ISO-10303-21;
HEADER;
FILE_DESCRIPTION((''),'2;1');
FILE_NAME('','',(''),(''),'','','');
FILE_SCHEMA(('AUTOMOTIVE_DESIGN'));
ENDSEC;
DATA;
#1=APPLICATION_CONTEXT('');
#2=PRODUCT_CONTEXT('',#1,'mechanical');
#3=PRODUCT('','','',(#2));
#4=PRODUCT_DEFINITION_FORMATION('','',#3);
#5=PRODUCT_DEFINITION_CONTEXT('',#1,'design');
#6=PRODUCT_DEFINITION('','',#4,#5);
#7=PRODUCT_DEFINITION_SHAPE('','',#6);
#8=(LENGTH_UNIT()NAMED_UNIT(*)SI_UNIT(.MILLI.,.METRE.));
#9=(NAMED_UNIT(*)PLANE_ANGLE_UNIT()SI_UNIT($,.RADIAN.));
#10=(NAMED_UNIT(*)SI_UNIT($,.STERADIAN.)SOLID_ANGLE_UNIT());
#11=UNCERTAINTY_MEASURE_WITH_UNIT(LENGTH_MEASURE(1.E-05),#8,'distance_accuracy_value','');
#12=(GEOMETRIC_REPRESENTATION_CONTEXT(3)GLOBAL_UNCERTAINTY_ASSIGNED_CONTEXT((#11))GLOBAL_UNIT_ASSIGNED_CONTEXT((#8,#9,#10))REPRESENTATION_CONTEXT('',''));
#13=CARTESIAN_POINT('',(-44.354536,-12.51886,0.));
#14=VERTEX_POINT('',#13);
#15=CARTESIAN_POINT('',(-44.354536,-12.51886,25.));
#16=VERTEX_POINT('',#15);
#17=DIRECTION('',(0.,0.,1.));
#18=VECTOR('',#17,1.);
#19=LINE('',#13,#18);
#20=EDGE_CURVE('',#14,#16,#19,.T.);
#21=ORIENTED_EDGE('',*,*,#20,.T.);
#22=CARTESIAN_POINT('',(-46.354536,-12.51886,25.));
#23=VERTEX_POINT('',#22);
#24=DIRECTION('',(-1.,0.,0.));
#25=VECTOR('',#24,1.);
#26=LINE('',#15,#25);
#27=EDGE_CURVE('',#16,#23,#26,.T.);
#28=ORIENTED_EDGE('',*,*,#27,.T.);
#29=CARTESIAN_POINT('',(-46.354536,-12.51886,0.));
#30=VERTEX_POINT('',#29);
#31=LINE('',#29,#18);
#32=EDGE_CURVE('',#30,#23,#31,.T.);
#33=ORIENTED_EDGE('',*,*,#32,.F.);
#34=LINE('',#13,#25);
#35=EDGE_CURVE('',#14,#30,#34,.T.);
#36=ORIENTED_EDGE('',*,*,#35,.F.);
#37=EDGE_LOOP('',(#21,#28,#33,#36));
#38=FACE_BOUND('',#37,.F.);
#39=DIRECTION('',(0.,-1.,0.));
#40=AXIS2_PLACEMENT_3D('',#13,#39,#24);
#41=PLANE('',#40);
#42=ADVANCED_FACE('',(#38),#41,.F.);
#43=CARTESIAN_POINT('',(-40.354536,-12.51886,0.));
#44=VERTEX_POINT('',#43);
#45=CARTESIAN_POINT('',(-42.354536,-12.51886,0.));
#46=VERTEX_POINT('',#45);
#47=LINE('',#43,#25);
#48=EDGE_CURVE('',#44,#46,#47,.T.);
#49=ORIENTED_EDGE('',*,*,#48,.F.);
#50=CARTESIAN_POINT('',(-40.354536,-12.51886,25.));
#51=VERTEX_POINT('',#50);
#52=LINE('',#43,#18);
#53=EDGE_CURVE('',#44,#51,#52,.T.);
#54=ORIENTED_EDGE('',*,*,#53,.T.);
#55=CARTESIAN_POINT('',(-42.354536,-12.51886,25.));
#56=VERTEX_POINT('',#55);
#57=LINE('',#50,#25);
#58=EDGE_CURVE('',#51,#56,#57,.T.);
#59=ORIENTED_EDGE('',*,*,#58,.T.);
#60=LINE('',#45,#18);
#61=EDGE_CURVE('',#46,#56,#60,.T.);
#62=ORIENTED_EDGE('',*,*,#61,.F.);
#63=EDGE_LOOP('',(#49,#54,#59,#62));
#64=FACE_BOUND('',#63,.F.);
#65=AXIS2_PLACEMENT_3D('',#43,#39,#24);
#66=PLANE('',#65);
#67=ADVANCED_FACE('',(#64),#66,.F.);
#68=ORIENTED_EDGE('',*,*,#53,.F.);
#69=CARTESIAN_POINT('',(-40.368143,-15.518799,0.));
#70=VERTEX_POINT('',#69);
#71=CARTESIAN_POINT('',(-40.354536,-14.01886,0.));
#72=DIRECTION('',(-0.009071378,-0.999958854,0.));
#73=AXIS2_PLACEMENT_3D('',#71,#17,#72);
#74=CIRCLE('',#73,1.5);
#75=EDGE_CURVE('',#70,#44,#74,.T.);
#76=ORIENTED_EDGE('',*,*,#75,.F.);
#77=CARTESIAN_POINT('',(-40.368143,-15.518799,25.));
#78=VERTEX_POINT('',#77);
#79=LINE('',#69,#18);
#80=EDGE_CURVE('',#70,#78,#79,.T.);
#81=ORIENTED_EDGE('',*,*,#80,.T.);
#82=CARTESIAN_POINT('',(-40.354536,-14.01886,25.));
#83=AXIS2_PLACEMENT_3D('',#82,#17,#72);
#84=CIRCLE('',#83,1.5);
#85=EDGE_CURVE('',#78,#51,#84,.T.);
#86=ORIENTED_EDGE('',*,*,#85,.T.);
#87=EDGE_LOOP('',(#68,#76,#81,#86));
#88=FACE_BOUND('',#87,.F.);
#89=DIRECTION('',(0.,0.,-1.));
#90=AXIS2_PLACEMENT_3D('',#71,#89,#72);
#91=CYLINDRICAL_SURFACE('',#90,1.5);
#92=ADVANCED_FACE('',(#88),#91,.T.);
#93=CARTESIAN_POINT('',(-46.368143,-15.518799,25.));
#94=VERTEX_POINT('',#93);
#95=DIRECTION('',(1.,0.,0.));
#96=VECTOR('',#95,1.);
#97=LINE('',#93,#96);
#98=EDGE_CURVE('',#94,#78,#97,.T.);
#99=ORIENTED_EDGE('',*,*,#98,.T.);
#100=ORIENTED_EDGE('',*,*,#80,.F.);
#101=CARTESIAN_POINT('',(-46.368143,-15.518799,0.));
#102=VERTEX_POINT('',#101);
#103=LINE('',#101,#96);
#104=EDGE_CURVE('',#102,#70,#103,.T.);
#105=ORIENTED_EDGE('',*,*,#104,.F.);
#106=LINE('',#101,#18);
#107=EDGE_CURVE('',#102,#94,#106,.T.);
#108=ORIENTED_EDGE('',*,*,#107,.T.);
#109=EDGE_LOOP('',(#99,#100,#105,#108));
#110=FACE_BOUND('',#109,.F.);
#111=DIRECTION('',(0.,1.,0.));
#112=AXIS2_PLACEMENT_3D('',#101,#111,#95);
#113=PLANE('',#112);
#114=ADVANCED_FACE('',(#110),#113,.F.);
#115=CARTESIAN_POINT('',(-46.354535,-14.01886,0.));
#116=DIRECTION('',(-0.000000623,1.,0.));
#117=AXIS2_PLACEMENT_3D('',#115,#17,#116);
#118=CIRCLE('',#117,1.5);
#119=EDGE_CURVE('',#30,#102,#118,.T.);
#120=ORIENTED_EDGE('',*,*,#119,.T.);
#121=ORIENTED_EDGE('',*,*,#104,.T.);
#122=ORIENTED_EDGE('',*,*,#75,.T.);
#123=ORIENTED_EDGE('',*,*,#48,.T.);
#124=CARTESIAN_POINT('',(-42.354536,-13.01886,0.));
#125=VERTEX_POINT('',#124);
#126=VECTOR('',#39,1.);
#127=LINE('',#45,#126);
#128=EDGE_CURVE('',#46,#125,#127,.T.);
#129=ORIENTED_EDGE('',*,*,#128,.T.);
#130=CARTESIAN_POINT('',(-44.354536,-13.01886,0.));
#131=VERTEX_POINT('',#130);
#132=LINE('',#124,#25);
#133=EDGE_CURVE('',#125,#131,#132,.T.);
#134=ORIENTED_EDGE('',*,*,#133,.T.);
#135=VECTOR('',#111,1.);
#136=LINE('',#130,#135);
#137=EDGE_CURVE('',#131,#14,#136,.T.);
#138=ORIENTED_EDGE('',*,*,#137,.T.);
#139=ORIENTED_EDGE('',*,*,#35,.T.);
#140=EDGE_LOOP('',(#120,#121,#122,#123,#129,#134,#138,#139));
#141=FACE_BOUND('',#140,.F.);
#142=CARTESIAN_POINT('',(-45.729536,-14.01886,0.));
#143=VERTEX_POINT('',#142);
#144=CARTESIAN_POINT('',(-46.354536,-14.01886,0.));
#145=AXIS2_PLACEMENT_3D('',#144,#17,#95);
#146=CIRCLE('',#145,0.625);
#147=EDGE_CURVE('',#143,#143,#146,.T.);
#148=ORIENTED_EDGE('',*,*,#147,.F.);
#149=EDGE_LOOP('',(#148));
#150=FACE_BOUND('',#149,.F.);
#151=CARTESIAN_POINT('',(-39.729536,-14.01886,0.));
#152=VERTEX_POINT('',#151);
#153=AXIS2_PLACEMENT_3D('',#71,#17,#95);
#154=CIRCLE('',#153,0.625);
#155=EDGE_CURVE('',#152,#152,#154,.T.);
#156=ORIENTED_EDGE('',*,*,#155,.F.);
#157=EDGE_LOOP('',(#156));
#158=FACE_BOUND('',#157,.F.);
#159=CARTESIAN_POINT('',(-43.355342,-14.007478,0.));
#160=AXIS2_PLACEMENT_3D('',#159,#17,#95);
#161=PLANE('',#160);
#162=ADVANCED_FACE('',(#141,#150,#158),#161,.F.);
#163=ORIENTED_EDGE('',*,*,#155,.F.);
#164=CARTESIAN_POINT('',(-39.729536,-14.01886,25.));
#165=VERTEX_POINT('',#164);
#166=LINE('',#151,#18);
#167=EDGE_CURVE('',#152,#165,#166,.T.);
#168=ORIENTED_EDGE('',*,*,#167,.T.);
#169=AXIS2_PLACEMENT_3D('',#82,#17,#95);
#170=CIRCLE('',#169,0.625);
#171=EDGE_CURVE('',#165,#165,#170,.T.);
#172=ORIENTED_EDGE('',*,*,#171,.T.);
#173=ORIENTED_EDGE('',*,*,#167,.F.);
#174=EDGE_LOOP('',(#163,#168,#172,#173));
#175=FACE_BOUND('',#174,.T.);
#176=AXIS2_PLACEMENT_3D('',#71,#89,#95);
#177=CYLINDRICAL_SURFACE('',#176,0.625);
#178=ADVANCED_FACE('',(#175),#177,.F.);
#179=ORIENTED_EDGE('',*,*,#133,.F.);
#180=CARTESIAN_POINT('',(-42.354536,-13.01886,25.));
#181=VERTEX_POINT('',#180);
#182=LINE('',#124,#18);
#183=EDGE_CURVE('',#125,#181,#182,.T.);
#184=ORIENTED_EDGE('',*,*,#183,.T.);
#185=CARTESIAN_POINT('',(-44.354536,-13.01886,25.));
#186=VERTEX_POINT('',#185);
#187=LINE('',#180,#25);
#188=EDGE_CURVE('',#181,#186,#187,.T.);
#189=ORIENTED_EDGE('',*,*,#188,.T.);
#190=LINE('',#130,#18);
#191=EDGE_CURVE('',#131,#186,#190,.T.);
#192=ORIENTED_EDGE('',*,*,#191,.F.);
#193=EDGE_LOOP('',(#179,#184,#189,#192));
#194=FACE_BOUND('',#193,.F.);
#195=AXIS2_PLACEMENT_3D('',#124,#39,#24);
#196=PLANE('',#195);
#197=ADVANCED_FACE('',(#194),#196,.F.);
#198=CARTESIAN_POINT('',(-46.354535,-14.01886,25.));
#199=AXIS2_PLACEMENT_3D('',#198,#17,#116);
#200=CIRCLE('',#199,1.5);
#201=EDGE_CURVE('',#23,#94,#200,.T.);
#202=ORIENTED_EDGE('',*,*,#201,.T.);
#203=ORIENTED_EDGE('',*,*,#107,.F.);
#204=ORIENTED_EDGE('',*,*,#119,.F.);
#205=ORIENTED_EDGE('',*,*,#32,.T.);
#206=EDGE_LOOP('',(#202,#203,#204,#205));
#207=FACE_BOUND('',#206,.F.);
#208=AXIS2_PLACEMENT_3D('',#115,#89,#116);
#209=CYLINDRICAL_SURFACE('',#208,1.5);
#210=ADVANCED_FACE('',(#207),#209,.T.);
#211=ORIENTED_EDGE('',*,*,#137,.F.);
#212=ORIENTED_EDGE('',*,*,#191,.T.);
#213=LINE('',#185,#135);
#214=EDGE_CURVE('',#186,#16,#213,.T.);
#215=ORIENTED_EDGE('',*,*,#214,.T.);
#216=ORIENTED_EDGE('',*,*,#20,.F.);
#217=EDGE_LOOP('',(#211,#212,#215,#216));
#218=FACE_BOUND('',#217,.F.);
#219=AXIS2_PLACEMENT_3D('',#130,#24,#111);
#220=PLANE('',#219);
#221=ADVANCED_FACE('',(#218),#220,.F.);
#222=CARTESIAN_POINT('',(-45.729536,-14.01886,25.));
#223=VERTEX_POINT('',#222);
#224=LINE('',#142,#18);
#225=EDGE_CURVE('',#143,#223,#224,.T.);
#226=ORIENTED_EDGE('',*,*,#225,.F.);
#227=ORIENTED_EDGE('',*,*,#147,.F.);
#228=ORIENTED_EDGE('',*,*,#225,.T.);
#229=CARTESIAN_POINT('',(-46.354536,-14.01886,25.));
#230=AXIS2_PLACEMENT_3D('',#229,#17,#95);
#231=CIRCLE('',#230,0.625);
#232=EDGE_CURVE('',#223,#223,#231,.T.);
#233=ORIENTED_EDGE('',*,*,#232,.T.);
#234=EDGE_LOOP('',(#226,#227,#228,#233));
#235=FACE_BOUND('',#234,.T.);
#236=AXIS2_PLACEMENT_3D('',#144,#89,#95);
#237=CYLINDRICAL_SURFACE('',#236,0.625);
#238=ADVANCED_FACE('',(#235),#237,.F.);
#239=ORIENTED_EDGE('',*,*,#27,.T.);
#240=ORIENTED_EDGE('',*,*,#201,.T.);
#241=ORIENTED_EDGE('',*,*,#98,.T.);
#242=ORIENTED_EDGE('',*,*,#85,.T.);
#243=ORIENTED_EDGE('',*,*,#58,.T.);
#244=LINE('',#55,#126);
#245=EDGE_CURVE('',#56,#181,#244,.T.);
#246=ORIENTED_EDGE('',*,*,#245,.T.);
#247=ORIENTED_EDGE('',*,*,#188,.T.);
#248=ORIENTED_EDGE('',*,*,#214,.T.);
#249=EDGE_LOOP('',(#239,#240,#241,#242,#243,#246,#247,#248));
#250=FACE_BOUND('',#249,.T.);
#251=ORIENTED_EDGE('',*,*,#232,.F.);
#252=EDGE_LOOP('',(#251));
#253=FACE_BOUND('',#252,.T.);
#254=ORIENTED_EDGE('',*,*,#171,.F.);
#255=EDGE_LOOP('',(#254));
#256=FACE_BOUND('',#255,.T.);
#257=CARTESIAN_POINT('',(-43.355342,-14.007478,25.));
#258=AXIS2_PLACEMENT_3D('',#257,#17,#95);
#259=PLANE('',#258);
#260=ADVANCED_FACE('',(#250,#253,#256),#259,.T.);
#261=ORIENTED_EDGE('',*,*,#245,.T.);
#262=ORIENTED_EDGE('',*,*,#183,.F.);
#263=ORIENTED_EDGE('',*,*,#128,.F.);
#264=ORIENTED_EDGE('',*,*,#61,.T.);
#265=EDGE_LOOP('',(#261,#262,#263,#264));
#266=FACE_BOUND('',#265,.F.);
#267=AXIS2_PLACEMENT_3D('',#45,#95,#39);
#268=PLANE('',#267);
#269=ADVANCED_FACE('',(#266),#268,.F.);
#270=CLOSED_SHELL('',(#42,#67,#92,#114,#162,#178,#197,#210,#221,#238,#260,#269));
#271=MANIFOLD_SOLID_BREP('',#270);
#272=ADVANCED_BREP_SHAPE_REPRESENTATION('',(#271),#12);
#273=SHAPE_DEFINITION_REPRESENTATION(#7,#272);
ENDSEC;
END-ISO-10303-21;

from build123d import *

# Parameters (mm, degrees)
F0_R     = 0.625
F1_DEPTH = 25


with BuildPart() as f1:
    # F0 (on Top) → F1 (new body)
    with BuildSketch(Plane.XY):
        with BuildLine():
            ThreePointArc((-46.354536, -12.51886), (-47.85452, -14.012057), (-46.368143, -15.518799))
            Line((-46.368143, -15.518799), (-40.368143, -15.518799))
            ThreePointArc((-40.368143, -15.518799), (-38.854551, -14.025664), (-40.354536, -12.51886))
            Line((-40.354536, -12.51886), (-42.354536, -12.51886))
            Line((-42.354536, -12.51886), (-42.354536, -13.01886))
            Line((-42.354536, -13.01886), (-44.354536, -13.01886))
            Line((-44.354536, -13.01886), (-44.354536, -12.51886))
            Line((-44.354536, -12.51886), (-46.354536, -12.51886))
        make_face()
        with Locations((-46.354536, -14.01886)):
            Circle(F0_R, mode=Mode.SUBTRACT)
        with Locations((-40.354536, -14.01886)):
            Circle(F0_R, mode=Mode.SUBTRACT)
    extrude(amount=F1_DEPTH)


solid = f1.part
